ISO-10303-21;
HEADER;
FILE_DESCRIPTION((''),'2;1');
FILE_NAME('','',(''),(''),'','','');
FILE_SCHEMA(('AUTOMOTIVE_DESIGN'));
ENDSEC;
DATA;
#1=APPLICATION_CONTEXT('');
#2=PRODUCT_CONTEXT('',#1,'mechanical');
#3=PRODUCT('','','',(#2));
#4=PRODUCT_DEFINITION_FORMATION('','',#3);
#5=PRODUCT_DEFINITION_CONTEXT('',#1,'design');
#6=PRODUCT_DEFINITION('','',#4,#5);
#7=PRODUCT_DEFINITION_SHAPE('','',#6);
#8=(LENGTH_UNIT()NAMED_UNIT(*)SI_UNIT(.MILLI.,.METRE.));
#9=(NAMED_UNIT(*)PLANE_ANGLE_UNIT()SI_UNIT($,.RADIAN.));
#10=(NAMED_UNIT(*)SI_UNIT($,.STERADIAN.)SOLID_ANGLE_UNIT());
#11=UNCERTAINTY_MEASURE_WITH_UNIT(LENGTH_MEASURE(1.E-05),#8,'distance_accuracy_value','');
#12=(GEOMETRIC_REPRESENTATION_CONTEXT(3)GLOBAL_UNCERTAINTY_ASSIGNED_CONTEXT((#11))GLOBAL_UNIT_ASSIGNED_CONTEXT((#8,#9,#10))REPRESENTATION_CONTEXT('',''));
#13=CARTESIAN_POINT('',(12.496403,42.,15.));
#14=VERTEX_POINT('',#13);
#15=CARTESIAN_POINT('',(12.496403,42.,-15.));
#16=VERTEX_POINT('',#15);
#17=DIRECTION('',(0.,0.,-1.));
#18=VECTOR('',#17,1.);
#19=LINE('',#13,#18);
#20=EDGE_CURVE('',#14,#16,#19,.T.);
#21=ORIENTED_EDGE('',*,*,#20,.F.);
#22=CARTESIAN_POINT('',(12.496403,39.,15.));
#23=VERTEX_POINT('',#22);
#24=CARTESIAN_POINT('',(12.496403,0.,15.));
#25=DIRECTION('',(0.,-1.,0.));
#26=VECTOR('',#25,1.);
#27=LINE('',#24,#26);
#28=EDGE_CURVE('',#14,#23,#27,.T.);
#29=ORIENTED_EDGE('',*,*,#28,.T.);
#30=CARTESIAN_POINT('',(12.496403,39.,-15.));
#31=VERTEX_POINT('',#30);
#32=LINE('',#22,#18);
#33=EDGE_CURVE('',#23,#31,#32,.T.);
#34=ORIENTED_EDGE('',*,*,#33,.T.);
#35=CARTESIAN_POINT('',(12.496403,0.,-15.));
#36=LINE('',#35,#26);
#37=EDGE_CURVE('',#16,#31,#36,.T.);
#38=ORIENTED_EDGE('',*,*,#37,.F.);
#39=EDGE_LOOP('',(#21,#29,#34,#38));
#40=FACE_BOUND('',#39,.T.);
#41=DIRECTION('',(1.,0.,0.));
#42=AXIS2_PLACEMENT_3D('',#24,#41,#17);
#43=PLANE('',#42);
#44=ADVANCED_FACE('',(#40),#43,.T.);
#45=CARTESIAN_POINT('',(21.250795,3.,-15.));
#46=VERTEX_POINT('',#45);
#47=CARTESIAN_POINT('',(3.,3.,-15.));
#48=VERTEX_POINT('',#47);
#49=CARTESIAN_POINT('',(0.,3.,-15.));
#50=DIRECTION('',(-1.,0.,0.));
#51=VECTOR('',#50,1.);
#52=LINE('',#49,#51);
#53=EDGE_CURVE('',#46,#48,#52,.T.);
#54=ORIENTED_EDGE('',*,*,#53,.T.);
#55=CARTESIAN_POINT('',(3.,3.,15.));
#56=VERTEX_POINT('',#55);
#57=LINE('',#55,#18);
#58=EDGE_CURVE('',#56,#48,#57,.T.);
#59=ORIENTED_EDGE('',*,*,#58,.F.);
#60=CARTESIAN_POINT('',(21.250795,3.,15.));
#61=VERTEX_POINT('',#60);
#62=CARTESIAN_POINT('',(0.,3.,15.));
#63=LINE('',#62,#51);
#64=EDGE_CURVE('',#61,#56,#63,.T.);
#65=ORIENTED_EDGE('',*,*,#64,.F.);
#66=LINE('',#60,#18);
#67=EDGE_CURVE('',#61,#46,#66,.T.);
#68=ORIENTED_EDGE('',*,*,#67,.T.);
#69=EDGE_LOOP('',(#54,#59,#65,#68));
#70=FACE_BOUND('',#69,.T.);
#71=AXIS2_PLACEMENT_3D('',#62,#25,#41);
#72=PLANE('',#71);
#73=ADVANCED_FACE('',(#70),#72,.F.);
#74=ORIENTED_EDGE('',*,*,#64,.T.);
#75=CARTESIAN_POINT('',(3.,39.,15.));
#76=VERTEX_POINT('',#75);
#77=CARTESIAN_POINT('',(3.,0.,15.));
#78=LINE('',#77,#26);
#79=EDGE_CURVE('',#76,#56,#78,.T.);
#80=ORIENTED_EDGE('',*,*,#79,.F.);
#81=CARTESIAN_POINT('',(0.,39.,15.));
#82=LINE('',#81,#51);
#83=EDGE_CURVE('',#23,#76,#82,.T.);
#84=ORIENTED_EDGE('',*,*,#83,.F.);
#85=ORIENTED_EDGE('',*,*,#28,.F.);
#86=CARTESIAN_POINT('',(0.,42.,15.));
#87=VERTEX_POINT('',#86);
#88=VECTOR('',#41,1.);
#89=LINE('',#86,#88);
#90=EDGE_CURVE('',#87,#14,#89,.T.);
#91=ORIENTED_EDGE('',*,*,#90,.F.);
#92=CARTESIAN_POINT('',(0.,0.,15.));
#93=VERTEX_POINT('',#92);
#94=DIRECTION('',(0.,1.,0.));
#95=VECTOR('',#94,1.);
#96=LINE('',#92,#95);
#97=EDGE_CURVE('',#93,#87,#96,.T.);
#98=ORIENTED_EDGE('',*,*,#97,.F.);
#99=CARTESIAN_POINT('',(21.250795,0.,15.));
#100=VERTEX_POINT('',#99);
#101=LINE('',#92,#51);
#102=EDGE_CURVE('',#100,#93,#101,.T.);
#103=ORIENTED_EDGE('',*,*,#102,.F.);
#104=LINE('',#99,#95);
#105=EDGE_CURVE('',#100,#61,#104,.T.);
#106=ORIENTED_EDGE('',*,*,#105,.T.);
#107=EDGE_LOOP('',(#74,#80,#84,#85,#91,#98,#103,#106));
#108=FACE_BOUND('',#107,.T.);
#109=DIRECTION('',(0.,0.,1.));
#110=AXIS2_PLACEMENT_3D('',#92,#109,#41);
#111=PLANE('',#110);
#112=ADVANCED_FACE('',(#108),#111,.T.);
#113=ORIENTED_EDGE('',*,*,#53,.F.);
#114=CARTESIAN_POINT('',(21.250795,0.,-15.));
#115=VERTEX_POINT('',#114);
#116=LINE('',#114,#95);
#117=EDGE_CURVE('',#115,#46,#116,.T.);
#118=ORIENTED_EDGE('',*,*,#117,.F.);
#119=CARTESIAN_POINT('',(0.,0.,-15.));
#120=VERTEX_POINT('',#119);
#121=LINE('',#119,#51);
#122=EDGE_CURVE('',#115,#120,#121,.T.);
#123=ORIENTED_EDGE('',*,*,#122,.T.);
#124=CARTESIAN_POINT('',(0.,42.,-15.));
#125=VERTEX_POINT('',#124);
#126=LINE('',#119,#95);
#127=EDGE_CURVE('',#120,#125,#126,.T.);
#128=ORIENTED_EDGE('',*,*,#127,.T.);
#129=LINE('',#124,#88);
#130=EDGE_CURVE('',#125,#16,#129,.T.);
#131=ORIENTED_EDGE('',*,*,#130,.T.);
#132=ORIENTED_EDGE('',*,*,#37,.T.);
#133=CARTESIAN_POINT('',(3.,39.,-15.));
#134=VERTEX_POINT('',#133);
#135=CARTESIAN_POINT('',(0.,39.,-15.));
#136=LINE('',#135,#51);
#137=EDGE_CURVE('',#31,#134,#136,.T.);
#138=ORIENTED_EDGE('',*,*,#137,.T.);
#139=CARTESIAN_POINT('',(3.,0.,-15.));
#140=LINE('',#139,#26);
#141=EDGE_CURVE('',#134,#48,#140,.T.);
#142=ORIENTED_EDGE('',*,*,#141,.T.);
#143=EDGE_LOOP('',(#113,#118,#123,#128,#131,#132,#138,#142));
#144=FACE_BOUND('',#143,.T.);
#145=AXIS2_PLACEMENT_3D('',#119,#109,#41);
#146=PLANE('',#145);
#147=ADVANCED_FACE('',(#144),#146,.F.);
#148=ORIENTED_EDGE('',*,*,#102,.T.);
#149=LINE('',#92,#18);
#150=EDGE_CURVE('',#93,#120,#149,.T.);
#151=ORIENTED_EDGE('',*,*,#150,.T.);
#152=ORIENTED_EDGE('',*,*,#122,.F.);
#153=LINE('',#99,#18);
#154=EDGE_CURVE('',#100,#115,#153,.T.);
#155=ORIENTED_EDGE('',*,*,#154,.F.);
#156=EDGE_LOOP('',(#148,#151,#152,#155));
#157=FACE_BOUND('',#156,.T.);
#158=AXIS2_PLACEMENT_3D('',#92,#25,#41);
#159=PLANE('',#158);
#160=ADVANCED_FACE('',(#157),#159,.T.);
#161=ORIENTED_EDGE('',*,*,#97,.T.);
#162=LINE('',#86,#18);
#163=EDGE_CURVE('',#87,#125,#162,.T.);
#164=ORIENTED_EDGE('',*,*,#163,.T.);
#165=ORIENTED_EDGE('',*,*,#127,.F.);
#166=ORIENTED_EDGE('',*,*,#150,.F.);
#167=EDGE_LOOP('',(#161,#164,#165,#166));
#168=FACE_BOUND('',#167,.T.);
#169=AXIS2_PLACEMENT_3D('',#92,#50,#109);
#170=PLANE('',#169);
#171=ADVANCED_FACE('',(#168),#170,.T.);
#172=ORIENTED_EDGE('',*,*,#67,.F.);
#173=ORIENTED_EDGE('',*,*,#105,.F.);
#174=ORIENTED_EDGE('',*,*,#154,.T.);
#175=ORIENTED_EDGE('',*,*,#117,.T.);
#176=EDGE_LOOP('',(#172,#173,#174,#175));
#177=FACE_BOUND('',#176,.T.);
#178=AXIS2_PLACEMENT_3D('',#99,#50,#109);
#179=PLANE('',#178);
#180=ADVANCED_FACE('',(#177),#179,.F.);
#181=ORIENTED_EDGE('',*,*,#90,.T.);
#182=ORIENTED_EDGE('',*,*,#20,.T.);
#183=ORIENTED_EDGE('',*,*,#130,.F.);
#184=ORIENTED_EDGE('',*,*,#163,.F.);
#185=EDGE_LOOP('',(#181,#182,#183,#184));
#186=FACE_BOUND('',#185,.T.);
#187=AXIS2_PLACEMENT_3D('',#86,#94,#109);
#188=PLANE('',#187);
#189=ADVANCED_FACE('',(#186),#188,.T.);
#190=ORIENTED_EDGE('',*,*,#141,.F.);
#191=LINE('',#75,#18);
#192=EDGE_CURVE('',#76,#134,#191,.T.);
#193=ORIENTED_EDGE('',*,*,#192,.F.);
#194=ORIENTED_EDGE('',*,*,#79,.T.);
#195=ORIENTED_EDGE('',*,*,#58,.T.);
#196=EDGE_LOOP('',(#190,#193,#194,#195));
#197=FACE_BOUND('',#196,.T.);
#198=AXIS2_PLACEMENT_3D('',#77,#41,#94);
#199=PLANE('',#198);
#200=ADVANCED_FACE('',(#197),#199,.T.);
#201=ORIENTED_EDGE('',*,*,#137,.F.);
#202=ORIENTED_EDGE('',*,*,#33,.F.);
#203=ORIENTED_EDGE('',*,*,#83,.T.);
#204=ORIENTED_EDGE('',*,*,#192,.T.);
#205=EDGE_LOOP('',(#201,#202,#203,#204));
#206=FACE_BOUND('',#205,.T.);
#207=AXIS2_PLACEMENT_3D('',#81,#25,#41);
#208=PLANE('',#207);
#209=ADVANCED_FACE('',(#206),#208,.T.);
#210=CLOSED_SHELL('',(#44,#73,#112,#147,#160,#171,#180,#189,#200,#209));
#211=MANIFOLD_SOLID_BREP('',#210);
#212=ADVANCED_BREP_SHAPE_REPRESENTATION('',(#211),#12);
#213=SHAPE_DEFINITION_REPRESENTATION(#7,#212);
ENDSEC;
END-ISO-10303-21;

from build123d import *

# Parameters (mm, degrees)
SKETCH1_W           = 18.250795329
SKETCH1_H           = 3
BOSS_EXTRUDE1_DEPTH = 15


with BuildPart() as part:
    # Sketch1 → Boss-Extrude1 (new, symmetric)
    with BuildSketch(Plane.XY):
        Polygon((3, 0), (0, 0), (0, 42), (12.496402878, 42), (12.496402878, 39), (3, 39), align=None)
        with Locations((12.125397665, 1.5)):
            Rectangle(SKETCH1_W, SKETCH1_H)
    extrude(amount=BOSS_EXTRUDE1_DEPTH, both=True)


solid = part.part
